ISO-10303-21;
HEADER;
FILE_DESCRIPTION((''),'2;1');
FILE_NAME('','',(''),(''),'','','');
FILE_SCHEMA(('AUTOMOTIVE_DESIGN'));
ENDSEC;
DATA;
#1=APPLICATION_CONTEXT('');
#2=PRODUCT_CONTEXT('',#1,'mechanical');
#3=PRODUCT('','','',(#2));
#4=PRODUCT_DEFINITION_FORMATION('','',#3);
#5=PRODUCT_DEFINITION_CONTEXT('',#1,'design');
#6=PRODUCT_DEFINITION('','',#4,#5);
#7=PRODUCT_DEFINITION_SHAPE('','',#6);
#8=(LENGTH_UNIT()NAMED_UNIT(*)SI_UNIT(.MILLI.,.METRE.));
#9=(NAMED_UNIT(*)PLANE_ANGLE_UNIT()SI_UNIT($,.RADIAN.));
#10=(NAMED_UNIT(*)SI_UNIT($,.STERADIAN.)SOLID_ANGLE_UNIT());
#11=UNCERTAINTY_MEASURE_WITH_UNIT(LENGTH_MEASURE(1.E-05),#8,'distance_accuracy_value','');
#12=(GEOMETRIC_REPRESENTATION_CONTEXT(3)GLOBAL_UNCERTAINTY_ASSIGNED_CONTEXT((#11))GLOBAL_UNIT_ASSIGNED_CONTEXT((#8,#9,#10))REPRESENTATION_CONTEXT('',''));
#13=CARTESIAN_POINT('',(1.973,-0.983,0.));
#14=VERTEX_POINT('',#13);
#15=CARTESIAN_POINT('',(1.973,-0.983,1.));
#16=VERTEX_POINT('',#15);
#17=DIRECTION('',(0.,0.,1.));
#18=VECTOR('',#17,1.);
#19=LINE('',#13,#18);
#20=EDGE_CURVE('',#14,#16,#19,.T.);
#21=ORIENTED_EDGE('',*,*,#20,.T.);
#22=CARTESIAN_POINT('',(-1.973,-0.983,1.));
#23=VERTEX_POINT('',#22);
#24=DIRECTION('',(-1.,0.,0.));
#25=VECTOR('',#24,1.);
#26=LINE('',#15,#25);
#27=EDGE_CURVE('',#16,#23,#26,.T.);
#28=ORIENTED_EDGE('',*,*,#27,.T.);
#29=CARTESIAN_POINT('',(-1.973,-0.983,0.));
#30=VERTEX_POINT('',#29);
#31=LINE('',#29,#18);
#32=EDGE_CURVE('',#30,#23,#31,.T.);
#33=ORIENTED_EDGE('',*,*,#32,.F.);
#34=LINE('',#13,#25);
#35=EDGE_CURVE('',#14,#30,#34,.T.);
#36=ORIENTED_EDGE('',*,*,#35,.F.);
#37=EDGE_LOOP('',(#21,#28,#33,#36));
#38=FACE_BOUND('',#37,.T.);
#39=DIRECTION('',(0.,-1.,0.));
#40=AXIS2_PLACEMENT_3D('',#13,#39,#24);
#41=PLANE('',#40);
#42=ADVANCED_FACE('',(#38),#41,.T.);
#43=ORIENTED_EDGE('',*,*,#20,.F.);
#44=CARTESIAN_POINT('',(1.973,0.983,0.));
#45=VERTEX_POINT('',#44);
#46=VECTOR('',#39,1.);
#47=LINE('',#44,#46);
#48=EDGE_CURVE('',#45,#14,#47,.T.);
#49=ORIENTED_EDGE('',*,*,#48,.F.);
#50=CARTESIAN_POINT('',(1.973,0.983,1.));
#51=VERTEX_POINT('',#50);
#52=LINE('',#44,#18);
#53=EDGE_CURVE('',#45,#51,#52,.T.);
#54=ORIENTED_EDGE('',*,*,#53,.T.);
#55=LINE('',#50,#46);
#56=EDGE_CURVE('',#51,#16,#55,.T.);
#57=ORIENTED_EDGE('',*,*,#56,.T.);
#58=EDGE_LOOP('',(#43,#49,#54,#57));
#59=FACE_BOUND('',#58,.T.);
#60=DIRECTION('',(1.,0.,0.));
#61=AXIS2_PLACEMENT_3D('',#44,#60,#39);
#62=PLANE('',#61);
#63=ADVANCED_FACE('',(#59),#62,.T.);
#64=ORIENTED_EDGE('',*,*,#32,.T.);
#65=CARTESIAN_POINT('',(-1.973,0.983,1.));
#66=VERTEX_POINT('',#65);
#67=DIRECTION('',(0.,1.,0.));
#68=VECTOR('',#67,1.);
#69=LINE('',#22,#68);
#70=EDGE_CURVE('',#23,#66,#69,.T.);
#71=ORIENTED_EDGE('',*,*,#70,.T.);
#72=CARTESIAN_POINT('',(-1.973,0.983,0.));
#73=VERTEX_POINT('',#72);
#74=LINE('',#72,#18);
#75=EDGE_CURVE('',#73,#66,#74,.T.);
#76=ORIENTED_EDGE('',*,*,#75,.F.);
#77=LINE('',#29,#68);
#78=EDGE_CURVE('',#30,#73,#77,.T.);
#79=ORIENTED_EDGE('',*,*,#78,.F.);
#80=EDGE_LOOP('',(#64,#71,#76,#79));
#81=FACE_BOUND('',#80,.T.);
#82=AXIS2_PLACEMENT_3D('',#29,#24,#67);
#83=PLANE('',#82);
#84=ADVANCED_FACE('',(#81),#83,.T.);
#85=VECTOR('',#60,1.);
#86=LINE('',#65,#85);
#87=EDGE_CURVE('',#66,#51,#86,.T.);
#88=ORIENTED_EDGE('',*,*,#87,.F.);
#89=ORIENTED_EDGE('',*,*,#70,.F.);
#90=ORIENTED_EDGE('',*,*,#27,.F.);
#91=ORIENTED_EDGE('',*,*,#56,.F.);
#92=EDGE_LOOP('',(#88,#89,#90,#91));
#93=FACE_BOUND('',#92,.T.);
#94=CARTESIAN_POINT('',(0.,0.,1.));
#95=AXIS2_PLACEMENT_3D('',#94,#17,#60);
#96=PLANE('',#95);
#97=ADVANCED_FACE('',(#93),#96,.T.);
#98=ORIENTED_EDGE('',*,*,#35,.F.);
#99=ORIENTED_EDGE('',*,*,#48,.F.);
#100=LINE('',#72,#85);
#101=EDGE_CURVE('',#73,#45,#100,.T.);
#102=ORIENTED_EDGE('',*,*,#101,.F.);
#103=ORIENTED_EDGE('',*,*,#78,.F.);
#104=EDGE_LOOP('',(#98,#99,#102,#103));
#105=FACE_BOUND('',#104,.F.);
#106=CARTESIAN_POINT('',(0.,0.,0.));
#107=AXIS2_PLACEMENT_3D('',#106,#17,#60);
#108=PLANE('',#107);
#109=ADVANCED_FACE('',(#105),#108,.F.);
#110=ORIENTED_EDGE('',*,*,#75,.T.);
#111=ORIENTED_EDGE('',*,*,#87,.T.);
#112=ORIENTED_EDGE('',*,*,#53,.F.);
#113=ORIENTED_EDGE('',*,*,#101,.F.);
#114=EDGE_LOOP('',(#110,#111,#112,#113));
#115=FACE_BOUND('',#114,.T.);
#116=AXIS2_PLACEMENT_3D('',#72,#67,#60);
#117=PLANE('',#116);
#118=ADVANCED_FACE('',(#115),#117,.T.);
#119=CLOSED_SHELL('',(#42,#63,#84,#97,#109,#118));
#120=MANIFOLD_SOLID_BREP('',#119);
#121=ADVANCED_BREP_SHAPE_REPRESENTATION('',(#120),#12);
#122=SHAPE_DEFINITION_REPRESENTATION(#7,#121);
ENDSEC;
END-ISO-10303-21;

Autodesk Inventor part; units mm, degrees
ref_plane "YZ Plane" through (0, 0, 0) normal (1, 0, 0) x (0, 1, 0)
ref_plane "XZ Plane" through (0, 0, 0) normal (0, 1, 0) x (-1, 0, 0)
ref_plane "XY Plane" through (0, 0, 0) normal (0, 0, 1) x (1, 0, 0)
sketch "R0805, 15K_57" plane through (0, 0, 0) normal (0, 0, 1) x (1, 0, 0)
  line L0 (-1.973, 0.983) -> (1.973, 0.983)
  line L1 (1.973, 0.983) -> (1.973, -0.983)
  line L2 (1.973, -0.983) -> (-1.973, -0.983)
  line L3 (-1.973, -0.983) -> (-1.973, 0.983)
extrude "Extrusion1" add sketch "R0805, 15K_57" along normal blind 1
properties part number "15K"
